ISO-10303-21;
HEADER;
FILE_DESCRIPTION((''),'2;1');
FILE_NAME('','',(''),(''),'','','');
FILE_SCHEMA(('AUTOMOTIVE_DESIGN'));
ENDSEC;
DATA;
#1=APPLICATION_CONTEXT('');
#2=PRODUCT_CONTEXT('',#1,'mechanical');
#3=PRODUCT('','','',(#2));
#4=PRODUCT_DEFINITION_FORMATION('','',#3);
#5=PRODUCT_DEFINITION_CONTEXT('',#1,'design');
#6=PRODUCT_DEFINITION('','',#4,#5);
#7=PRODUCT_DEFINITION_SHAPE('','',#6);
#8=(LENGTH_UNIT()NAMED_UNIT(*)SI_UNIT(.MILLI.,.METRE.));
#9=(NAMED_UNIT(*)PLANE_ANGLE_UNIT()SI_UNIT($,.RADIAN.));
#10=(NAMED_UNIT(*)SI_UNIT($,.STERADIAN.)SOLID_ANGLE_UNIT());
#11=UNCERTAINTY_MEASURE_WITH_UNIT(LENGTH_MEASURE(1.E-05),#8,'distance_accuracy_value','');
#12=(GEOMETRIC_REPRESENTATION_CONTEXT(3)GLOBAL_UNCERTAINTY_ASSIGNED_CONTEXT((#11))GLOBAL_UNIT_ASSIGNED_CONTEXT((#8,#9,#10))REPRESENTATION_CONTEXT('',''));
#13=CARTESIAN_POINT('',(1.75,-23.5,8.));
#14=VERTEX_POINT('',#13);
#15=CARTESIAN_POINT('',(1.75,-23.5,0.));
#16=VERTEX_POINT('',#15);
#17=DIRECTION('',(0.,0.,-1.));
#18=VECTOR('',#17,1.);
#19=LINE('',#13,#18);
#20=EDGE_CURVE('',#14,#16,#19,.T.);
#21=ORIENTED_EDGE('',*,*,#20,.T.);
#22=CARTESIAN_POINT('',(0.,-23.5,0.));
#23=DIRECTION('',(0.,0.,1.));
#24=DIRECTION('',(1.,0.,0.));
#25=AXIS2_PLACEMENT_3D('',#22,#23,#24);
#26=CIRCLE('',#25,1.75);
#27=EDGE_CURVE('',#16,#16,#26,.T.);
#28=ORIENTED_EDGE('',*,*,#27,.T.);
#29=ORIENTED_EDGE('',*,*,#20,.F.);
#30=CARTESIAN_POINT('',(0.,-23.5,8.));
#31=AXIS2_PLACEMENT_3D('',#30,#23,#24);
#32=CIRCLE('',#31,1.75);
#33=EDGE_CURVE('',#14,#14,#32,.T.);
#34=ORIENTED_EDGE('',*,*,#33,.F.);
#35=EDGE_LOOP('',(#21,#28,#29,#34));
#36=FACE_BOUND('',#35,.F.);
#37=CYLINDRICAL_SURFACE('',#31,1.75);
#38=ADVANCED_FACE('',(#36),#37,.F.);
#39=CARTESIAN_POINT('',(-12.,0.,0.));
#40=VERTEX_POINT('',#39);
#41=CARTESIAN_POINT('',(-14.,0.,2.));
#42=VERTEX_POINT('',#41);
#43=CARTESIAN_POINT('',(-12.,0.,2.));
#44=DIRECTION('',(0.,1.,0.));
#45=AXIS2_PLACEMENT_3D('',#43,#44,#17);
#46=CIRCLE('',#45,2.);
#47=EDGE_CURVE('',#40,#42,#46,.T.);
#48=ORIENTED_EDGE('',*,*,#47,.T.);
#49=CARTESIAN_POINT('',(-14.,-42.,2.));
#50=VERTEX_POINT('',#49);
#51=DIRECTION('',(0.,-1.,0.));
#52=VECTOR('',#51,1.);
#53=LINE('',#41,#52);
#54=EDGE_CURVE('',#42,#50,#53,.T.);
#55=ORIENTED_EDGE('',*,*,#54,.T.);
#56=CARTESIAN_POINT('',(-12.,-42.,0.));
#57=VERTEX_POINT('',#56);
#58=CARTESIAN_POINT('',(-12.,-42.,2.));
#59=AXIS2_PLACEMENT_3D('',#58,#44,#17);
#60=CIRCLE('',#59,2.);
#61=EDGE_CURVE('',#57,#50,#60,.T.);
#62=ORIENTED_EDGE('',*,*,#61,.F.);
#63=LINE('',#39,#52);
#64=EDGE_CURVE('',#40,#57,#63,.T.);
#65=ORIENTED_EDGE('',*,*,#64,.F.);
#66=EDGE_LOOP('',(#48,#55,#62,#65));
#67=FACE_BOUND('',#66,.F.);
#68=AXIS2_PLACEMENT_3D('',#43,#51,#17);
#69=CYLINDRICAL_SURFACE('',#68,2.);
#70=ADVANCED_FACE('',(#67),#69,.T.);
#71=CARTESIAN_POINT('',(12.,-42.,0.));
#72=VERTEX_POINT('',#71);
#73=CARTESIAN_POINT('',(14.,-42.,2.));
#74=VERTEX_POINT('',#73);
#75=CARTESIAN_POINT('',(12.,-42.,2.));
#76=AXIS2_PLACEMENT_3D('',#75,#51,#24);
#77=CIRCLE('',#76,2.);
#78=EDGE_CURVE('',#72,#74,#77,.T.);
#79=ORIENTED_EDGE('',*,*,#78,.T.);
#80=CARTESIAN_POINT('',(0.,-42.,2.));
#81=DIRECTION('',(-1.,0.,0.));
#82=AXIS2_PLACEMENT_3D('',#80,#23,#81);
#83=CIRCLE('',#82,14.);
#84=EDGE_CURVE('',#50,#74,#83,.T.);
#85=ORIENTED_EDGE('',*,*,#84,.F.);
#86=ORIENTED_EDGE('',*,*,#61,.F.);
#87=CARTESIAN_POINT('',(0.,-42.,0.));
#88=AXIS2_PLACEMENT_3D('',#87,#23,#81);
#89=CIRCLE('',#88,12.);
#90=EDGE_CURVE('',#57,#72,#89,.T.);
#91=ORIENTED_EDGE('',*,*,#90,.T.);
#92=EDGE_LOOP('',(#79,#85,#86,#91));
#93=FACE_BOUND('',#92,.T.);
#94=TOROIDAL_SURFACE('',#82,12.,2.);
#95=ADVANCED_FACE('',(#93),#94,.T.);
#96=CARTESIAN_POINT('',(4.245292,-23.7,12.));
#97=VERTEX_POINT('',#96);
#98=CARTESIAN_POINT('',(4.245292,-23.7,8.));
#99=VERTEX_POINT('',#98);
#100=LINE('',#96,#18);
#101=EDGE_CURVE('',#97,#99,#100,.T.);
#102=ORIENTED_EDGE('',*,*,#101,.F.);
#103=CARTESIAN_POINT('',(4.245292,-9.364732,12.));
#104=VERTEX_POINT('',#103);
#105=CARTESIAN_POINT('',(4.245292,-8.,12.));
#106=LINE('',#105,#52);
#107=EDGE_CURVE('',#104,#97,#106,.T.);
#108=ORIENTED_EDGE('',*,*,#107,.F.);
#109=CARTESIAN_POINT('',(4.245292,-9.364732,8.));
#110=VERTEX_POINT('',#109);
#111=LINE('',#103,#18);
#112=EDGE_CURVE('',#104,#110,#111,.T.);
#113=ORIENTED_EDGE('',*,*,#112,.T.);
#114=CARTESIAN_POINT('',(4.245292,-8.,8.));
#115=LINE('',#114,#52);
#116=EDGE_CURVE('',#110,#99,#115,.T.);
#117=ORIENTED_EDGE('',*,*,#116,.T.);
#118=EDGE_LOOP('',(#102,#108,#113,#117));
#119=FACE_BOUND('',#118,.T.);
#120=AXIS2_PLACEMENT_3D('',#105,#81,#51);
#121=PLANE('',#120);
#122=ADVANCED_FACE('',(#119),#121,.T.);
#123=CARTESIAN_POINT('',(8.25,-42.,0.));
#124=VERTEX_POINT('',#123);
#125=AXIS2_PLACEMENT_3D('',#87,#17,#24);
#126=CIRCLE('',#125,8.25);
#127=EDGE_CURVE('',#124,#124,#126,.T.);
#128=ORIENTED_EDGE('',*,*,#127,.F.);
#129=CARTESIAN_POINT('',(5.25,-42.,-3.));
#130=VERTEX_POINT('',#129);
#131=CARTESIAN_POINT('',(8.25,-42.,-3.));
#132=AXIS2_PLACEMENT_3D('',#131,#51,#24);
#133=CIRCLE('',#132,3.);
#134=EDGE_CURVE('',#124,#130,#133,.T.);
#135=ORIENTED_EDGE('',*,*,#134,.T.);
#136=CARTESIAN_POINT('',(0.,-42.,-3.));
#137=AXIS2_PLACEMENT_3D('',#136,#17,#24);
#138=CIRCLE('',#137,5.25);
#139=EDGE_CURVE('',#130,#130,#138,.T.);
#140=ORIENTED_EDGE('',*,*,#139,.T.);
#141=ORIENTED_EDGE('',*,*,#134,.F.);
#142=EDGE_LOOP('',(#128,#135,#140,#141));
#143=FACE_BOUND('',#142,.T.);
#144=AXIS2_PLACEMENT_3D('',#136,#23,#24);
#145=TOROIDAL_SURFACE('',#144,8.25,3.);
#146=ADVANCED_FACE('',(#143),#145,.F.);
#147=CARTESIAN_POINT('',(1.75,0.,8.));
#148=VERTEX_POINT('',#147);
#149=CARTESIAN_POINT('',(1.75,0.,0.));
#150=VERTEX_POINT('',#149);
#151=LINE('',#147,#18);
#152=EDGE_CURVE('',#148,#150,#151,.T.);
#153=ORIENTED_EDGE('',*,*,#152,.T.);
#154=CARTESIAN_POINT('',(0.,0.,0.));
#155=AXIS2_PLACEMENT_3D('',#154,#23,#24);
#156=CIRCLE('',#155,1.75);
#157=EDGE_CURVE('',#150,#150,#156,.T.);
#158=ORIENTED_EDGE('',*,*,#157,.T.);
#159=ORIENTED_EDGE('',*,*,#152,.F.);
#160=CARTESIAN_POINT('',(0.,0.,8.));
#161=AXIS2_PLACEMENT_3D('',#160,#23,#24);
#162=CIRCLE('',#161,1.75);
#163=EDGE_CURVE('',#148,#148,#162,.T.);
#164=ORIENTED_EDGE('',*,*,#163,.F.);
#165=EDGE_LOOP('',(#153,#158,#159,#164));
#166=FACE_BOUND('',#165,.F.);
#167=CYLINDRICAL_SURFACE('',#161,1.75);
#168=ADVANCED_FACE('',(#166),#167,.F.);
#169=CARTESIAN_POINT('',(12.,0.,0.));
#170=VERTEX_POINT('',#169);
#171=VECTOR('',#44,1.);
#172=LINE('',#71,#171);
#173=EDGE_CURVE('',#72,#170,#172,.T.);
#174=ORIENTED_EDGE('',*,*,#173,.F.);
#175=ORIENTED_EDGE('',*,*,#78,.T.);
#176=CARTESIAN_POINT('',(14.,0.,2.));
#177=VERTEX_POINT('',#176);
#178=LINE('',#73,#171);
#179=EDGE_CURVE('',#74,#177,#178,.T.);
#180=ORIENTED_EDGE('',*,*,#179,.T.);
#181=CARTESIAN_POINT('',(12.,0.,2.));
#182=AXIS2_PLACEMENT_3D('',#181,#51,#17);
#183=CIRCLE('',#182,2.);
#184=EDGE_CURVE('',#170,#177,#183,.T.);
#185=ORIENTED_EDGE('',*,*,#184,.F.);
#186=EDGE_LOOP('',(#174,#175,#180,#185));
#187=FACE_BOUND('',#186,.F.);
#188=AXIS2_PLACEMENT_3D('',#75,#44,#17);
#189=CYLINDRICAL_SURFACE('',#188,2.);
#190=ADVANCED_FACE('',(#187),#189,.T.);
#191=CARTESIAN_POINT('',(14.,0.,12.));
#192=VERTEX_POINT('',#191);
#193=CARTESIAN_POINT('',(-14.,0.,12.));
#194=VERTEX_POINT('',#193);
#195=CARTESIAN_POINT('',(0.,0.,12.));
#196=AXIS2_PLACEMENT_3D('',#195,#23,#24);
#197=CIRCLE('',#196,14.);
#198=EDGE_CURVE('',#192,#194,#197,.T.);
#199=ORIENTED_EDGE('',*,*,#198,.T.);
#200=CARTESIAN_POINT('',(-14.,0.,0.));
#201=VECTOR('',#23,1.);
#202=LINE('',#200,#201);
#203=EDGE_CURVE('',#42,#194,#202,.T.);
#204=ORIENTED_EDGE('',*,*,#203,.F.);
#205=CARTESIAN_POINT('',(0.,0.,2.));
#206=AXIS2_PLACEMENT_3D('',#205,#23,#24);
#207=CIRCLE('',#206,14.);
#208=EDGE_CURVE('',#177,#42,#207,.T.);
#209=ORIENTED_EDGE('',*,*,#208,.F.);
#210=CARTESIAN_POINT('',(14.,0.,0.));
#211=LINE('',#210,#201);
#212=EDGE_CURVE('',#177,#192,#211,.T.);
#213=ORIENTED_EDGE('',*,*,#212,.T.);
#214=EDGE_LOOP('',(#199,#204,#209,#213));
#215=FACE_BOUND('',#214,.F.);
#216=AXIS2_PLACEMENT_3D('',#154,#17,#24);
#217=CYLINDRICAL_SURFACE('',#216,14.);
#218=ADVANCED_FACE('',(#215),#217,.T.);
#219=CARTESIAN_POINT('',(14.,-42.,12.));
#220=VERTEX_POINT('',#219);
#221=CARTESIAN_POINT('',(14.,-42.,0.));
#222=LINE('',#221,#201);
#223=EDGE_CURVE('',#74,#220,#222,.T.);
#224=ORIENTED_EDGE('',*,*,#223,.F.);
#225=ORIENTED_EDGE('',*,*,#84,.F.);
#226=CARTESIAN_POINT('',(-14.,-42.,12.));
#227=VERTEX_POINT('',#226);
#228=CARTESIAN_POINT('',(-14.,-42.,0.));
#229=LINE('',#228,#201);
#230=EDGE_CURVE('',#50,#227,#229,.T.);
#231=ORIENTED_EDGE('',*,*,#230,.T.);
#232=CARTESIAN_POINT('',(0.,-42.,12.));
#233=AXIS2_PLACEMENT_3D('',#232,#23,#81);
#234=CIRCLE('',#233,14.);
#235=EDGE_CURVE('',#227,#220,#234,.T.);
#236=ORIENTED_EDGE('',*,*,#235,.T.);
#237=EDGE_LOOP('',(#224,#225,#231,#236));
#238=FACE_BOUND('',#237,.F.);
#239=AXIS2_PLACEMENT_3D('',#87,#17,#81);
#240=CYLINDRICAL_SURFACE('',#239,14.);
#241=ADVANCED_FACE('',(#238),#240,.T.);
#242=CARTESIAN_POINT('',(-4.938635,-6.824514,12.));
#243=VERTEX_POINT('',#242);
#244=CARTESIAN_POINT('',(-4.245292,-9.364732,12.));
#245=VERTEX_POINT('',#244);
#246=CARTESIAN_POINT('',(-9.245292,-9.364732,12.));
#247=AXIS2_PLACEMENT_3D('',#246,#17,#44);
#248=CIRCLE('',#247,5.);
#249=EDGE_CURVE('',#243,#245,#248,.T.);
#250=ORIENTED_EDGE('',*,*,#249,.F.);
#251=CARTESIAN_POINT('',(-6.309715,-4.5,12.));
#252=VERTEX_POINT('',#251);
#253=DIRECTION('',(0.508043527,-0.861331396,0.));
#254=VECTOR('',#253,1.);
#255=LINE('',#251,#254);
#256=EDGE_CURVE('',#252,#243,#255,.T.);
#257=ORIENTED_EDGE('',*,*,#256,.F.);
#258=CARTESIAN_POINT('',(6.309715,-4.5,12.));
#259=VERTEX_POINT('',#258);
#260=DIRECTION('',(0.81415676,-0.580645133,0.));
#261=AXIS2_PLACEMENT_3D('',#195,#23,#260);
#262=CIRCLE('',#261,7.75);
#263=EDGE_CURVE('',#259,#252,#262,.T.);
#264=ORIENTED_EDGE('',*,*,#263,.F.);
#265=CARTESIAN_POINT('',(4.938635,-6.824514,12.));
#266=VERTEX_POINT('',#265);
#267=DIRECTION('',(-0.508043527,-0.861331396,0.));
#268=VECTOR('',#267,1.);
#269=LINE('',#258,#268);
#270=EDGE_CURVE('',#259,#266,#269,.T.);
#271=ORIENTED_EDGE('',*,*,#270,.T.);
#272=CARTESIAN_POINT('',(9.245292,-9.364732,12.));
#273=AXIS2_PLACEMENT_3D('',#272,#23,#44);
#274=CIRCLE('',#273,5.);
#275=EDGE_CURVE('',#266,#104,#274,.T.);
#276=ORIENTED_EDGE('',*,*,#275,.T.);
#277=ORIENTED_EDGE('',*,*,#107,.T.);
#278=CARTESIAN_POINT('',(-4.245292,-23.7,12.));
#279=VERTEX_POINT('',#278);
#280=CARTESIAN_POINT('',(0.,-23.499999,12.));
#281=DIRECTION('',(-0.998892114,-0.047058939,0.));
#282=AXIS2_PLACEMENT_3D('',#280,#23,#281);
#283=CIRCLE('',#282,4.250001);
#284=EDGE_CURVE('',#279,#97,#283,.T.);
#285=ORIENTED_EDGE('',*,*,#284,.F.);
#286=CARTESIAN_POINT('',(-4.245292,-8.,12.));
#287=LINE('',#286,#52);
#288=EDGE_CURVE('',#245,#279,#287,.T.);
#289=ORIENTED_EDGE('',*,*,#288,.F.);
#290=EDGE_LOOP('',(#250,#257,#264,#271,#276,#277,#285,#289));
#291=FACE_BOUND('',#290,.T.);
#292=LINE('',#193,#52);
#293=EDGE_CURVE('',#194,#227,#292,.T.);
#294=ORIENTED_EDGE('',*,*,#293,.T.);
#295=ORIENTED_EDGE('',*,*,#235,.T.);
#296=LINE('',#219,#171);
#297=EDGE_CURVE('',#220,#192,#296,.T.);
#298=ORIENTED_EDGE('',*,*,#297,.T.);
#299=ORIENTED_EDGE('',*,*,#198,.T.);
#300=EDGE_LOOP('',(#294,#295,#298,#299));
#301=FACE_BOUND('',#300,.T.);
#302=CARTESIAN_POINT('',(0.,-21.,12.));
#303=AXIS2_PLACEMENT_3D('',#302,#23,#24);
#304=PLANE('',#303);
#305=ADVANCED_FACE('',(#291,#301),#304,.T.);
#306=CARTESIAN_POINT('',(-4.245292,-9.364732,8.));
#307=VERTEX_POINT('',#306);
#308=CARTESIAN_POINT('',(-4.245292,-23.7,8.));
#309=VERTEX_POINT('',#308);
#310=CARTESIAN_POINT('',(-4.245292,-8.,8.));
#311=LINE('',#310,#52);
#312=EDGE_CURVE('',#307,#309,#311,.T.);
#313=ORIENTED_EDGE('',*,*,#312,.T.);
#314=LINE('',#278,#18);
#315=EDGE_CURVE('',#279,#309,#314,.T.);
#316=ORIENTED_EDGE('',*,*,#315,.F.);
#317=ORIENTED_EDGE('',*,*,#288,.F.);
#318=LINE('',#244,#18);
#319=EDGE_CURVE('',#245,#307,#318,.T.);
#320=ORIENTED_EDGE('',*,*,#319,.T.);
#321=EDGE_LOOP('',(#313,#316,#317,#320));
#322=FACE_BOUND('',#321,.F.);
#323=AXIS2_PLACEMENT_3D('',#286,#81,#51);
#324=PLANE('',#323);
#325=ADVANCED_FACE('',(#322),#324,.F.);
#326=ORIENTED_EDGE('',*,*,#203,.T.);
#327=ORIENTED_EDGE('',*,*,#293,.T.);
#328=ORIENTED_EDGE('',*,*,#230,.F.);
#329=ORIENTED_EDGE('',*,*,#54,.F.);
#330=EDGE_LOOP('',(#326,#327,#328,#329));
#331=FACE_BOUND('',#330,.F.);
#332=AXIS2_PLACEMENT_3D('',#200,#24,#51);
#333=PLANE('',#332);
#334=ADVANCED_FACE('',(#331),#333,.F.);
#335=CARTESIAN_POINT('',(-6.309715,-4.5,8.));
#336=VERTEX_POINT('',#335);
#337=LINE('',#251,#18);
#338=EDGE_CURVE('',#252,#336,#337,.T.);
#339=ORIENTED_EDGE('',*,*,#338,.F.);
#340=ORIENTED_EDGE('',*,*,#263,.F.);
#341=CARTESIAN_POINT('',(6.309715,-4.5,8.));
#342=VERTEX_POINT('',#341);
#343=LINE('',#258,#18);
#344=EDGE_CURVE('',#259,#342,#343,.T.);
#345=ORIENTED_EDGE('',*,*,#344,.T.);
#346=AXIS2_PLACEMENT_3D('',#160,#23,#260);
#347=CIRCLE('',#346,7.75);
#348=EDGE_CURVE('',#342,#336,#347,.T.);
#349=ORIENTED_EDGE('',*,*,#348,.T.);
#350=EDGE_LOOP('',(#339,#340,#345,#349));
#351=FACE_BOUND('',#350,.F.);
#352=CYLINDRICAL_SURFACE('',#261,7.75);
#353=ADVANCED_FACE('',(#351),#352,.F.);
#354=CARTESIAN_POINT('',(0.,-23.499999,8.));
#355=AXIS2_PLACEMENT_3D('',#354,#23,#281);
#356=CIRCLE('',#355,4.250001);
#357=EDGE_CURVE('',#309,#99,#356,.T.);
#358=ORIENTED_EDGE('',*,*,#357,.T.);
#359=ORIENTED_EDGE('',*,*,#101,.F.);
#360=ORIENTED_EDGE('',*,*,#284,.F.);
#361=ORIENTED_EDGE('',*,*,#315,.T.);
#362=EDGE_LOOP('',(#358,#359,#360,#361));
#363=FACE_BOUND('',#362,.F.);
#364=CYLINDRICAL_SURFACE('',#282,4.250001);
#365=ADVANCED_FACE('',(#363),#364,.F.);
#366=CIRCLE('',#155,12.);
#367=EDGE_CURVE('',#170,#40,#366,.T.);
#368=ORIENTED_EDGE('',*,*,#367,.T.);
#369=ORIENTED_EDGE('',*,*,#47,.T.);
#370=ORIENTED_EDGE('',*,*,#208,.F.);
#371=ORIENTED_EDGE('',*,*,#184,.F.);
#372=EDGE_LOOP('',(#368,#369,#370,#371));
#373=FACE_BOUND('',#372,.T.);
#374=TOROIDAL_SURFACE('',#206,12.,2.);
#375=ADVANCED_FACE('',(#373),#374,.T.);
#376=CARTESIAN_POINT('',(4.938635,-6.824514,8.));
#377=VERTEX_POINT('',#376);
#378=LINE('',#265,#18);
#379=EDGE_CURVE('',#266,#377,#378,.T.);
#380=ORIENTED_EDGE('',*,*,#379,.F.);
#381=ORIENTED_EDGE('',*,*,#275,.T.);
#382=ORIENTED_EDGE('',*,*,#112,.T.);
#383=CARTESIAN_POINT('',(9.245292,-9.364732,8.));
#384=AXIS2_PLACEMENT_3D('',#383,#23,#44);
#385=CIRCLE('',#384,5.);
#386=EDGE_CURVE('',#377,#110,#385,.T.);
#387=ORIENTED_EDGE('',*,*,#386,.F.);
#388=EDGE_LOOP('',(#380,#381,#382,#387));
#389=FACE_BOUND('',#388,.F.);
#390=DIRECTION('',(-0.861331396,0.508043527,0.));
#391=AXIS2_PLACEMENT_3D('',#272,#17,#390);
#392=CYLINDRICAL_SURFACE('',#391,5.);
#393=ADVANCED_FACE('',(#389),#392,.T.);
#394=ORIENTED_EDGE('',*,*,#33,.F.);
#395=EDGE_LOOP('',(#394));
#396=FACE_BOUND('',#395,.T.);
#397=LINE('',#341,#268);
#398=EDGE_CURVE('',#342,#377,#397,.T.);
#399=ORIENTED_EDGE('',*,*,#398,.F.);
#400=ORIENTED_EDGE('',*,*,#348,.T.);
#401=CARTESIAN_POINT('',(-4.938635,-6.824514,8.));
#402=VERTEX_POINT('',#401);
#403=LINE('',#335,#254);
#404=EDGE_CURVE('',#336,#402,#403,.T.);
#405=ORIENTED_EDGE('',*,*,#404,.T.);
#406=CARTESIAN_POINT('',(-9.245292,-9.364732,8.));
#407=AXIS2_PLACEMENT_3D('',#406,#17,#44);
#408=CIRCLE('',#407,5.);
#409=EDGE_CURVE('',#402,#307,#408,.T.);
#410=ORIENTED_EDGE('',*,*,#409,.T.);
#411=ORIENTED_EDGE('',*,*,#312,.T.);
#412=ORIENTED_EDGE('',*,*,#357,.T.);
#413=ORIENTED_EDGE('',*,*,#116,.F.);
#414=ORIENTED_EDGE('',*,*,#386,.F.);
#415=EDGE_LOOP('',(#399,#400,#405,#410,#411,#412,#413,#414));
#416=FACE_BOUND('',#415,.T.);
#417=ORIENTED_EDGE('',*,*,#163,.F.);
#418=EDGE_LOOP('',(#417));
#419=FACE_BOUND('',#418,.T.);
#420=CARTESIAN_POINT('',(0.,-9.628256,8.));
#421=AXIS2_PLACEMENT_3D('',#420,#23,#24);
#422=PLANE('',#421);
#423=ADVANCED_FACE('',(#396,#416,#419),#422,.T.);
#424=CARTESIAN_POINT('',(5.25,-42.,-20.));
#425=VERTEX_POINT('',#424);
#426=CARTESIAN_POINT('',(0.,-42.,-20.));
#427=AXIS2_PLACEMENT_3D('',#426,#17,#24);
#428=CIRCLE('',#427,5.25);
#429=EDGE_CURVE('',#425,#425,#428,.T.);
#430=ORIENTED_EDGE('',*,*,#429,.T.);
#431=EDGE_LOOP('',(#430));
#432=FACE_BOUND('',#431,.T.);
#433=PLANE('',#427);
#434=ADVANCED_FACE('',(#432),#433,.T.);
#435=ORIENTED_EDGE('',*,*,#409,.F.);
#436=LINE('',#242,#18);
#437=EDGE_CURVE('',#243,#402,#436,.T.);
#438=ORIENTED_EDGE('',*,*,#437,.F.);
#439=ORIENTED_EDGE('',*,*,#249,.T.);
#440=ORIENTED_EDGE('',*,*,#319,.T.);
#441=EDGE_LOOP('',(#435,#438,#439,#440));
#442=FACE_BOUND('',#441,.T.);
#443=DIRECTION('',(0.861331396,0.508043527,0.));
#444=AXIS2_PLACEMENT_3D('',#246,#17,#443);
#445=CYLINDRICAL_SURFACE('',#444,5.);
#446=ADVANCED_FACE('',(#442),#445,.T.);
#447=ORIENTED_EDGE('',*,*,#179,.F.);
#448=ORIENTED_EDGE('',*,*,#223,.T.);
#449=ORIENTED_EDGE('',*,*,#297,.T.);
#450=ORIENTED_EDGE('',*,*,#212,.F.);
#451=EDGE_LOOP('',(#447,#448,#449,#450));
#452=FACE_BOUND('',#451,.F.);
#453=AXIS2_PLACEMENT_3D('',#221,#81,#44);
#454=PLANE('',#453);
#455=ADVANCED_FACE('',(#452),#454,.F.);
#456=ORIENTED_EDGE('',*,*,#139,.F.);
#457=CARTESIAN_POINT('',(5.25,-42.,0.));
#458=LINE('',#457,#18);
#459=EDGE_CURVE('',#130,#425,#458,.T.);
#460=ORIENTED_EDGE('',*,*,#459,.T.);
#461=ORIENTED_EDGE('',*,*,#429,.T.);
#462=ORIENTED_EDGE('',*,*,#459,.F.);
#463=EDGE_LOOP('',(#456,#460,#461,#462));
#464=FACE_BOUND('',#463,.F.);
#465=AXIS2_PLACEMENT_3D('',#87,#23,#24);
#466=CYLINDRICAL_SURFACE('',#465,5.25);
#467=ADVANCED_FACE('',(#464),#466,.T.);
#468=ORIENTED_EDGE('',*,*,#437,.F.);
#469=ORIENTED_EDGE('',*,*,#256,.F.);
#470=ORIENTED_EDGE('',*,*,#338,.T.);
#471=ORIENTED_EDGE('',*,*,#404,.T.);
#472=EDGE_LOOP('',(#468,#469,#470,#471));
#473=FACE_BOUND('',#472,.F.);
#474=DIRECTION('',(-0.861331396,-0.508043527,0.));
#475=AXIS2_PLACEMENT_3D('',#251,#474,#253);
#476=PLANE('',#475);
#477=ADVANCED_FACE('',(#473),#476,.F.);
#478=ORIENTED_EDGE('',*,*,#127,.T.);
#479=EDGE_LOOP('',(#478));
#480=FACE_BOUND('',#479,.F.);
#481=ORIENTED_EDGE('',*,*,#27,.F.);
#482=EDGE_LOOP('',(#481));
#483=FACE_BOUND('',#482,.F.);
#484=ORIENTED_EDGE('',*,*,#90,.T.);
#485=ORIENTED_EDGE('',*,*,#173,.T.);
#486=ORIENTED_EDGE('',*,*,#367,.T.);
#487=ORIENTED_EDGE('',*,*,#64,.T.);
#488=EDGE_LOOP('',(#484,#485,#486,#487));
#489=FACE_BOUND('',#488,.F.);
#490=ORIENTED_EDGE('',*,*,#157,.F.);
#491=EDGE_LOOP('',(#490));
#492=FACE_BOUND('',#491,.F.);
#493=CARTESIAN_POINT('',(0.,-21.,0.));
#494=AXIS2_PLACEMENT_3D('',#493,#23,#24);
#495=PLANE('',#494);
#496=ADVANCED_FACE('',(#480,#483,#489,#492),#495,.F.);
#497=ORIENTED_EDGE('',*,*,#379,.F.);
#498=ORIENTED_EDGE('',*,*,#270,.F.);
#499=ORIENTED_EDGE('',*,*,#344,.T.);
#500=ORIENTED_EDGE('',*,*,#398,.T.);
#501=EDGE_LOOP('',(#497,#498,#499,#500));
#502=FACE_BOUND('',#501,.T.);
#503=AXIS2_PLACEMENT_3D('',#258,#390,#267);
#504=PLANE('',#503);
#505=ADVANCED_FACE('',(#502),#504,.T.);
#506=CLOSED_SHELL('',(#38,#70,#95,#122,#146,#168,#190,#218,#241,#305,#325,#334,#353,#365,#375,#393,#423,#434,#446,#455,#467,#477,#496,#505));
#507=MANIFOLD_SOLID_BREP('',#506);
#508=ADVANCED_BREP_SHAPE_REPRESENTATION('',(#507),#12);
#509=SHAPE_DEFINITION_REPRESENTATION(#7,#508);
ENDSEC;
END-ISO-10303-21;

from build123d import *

# Parameters (mm, degrees)
PAD_DEPTH       = 12
POCKET_DEPTH    = 4
SKETCH002_R     = 5.25
PAD001_DEPTH    = 20
SKETCH003_R     = 1.75
POCKET001_DEPTH = 28.001
FILLET_R        = 3
FILLET001_R     = 2
FILLET002_R     = 5


with BuildPart() as part:
    # Sketch001 → Pad (new body)
    with BuildSketch(Plane.XY):
        with BuildLine():
            ThreePointArc((14, 0), (0, 14), (-14, 0))
            Line((-14, 0), (-14, -42))
            ThreePointArc((-14, -42), (0, -56), (14, -42))
            Line((14, -42), (14, 0))
        make_face()
    extrude(amount=PAD_DEPTH)

    # Sketch (on Face6 of Pad) → Pocket (cut)
    with BuildSketch(Plane.XY.offset(12)):
        with BuildLine():
            ThreePointArc((6.309715, -4.5), (0, 7.75), (-6.309715, -4.5))
            Line((-6.309715, -4.5), (-4.245292, -8))
            Line((-4.245292, -8), (-4.245292, -23.7))
            ThreePointArc((-4.245292, -23.7), (0, -27.75), (4.245292, -23.7))
            Line((4.245292, -8), (4.245292, -23.7))
            Line((6.309715, -4.5), (4.245292, -8))
        make_face()
    extrude(amount=-POCKET_DEPTH, mode=Mode.SUBTRACT)

    # Sketch002 (on Face4 of Pocket) → Pad001 (join)
    with BuildSketch(Plane(origin=(0, 0, 0), x_dir=(1, 0, 0), z_dir=(0, 0, -1))):
        with Locations((0, 42)):
            Circle(SKETCH002_R)
    extrude(amount=PAD001_DEPTH)

    # Sketch003 (on Face15 of Pad001) → Pocket001 (cut, through all)
    with BuildSketch(Plane.XY.offset(8)):
        Circle(SKETCH003_R)
        with Locations((0, -23.5)):
            Circle(SKETCH003_R)
    extrude(amount=-POCKET001_DEPTH, mode=Mode.SUBTRACT)

    # Fillet
    fillet_edges = [part.edges().sort_by_distance(p)[0] for p in [
        (-5.25, -42, 0),
    ]]
    fillet(fillet_edges, radius=FILLET_R)

    # Fillet001
    fillet001_edges = [part.edges().sort_by_distance(p)[0] for p in [
        (-14, -21, 0),
        (0, 14, 0),
        (14, -21, 0),
        (0, -56, 0),
    ]]
    fillet(fillet001_edges, radius=FILLET001_R)

    # Fillet002
    fillet002_edges = [part.edges().sort_by_distance(p)[0] for p in [
        (-4.245292, -8, 10),
        (4.245292, -8, 10),
    ]]
    fillet(fillet002_edges, radius=FILLET002_R)


solid = part.part
